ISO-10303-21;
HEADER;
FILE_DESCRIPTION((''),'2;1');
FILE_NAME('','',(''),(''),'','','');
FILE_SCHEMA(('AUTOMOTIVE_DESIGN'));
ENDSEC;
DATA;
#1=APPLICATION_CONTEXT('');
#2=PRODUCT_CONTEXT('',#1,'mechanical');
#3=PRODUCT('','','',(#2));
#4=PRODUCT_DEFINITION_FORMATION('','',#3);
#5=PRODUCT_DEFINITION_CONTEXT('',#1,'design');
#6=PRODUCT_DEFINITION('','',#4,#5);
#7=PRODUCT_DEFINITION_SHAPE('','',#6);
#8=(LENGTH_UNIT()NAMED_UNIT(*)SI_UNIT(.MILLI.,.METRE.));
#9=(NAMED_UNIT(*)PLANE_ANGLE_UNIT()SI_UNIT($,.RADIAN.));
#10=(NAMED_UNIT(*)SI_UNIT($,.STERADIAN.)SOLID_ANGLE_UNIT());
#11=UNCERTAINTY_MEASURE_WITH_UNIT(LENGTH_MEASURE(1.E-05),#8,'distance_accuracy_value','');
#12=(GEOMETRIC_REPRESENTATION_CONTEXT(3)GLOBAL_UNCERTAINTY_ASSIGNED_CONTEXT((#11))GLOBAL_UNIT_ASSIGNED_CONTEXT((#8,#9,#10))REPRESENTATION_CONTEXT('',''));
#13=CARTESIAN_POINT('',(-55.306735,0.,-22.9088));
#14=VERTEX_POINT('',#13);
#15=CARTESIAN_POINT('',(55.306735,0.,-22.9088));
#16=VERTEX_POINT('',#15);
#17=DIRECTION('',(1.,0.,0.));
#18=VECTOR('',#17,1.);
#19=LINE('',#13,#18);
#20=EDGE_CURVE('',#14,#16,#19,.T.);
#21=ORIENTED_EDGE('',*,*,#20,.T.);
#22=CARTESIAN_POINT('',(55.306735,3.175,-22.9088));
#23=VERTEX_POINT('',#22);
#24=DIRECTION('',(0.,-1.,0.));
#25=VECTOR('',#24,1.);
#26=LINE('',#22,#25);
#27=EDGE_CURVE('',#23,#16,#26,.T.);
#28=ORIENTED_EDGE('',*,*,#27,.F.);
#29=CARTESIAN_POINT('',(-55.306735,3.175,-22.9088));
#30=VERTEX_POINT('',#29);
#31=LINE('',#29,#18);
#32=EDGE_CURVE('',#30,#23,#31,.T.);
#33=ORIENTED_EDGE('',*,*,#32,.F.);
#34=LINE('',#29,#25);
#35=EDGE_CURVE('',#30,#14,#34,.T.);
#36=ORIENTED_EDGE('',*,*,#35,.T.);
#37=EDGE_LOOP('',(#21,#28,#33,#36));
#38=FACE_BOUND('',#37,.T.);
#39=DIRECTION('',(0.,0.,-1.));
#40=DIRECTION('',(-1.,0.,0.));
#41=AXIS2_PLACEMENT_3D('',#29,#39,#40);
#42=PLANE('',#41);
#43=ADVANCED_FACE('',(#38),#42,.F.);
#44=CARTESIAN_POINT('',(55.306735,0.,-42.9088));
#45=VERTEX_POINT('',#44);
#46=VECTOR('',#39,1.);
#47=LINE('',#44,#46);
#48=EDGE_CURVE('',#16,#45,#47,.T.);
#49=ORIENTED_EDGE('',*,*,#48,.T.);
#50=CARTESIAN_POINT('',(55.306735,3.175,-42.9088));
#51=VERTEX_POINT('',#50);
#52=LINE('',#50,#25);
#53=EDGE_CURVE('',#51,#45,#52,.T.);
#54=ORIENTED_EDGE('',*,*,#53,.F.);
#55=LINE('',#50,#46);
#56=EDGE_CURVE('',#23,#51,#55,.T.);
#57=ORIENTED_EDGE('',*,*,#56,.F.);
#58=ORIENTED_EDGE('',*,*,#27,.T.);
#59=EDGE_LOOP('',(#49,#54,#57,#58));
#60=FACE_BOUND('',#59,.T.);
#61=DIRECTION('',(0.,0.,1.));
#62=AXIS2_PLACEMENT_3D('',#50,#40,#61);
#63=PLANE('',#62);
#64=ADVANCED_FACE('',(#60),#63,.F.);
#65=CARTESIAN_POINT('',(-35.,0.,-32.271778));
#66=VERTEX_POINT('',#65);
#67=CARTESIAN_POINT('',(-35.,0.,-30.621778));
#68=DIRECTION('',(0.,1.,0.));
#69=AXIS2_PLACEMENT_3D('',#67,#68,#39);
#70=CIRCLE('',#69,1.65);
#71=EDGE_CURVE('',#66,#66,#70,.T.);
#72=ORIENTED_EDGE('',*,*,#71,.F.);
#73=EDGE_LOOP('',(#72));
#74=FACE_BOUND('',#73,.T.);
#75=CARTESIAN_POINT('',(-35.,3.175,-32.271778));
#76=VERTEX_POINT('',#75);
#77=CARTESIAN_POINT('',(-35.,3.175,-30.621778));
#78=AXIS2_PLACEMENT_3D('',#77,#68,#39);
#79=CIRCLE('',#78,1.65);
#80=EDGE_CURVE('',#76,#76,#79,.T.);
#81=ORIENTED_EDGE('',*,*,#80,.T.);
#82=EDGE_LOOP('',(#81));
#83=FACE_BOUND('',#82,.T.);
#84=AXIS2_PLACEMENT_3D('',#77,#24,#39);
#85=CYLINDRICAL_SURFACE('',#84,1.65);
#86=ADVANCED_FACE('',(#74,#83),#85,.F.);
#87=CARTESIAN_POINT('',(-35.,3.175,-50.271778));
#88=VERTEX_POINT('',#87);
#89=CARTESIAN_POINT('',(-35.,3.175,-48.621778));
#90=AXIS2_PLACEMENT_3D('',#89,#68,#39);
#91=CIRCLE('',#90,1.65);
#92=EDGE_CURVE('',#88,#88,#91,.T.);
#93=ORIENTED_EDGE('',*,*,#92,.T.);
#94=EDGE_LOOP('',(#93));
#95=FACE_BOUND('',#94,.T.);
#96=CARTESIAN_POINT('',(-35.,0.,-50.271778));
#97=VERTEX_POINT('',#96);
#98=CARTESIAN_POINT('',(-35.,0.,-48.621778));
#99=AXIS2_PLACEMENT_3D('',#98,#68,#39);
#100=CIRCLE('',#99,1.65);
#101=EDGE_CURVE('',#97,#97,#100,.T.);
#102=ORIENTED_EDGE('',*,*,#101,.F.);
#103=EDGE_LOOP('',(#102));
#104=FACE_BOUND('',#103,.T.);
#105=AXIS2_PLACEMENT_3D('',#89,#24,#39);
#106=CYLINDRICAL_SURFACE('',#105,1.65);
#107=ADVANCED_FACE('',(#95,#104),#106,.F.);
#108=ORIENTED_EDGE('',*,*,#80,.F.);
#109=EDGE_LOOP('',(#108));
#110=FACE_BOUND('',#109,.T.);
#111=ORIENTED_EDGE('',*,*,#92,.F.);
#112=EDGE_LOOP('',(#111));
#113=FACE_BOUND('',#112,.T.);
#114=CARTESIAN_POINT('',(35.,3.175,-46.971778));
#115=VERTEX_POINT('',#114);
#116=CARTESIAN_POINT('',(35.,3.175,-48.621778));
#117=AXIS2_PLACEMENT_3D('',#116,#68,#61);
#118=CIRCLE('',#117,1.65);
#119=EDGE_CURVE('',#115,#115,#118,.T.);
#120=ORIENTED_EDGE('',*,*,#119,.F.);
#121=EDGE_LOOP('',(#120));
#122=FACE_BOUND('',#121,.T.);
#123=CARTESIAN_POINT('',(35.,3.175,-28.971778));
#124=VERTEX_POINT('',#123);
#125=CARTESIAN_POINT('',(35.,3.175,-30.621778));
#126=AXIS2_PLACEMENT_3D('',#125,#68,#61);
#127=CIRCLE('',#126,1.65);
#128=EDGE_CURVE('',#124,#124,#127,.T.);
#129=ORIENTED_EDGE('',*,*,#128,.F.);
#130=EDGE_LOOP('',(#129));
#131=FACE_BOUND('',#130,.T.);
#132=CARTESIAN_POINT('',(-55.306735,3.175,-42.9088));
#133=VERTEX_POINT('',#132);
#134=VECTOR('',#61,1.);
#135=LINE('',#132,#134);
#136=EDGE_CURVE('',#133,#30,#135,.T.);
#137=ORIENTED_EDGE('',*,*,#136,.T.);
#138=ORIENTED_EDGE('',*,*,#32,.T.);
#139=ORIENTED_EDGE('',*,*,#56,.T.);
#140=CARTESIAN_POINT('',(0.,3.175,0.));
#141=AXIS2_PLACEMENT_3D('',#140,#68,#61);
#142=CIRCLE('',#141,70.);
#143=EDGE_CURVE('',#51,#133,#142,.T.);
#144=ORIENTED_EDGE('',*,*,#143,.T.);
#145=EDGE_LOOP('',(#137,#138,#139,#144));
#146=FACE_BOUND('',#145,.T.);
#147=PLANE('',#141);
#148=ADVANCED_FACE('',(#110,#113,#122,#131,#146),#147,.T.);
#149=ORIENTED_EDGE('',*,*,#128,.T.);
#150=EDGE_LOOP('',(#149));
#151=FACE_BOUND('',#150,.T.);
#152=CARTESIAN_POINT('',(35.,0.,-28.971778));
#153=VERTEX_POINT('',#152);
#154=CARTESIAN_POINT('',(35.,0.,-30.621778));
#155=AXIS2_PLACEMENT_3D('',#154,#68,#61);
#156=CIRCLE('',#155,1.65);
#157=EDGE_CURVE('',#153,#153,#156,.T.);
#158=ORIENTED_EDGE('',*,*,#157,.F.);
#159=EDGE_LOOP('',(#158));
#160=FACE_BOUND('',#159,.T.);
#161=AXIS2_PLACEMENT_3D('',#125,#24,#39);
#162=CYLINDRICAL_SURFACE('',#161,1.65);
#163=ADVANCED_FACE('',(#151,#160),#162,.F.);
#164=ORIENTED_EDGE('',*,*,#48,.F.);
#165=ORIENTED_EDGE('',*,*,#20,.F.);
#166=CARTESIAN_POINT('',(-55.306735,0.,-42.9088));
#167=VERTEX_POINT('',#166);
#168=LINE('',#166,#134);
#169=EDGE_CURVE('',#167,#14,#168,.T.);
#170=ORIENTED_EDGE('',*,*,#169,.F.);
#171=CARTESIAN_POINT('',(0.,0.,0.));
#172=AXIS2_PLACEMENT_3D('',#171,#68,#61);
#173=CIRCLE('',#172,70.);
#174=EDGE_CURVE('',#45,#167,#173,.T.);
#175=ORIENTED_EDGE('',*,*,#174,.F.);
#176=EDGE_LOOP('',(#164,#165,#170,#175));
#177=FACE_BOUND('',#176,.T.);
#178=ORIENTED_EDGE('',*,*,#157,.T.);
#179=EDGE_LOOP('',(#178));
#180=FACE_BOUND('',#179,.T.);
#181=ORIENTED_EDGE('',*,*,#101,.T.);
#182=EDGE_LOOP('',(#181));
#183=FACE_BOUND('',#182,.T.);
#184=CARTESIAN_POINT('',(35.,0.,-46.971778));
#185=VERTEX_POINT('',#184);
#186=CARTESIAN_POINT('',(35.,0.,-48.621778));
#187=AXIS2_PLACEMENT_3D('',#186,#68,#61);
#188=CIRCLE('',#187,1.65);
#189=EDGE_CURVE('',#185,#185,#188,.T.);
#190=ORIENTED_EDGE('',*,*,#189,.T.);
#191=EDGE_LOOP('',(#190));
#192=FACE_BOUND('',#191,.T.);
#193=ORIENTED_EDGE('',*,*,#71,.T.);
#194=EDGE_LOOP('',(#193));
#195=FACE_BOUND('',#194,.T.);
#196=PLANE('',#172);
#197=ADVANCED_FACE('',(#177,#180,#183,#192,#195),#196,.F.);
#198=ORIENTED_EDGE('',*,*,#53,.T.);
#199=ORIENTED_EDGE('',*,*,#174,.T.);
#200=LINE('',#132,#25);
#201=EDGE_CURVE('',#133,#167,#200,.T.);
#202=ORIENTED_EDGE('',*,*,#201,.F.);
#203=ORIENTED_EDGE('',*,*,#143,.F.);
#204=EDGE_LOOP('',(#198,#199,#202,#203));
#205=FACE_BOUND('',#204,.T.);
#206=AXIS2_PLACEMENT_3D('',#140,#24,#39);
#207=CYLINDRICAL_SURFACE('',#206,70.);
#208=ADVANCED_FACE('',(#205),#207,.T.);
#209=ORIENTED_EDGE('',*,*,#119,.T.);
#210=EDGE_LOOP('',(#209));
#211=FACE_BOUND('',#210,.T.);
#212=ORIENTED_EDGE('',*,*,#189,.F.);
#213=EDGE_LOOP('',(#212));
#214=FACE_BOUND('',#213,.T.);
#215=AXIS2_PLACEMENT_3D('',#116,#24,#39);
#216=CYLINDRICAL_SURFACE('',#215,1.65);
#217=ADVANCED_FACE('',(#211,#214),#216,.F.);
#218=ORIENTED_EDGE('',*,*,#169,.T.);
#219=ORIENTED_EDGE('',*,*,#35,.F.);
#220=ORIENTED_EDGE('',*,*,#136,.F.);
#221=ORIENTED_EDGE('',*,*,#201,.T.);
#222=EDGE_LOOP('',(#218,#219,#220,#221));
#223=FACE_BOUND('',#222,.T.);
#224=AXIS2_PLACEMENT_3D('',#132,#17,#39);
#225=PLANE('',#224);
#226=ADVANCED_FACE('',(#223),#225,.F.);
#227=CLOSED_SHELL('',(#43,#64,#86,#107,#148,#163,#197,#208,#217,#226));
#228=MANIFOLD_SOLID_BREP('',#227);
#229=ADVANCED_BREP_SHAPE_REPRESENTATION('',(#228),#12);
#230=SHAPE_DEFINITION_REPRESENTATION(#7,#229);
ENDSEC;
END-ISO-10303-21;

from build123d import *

# Parameters (mm, degrees)
SKETCH1_R           = 1.65
BOSS_EXTRUDE2_DEPTH = 3.175


with BuildPart() as part:
    # Sketch1 → Boss-Extrude2 (new body)
    with BuildSketch(Plane(origin=(0, 0, 0), x_dir=(1, 0, 0), z_dir=(0, 1, 0))):
        with BuildLine():
            Line((-55.306734792, 42.908799641), (-55.306734792, 22.908799641))
            Line((-55.306734792, 22.908799641), (55.306734792, 22.908799641))
            Line((55.306734792, 22.908799641), (55.306734792, 42.908799641))
            ThreePointArc((55.306734792, 42.908799641), (0, 70), (-55.306734792, 42.908799641))
        make_face()
        with Locations((35, 48.621778265)):
            Circle(SKETCH1_R, mode=Mode.SUBTRACT)
        with Locations((35, 30.621778265)):
            Circle(SKETCH1_R, mode=Mode.SUBTRACT)
        with Locations((-35, 30.621778265)):
            Circle(SKETCH1_R, mode=Mode.SUBTRACT)
        with Locations((-35, 48.621778265)):
            Circle(SKETCH1_R, mode=Mode.SUBTRACT)
    extrude(amount=BOSS_EXTRUDE2_DEPTH)


solid = part.part
